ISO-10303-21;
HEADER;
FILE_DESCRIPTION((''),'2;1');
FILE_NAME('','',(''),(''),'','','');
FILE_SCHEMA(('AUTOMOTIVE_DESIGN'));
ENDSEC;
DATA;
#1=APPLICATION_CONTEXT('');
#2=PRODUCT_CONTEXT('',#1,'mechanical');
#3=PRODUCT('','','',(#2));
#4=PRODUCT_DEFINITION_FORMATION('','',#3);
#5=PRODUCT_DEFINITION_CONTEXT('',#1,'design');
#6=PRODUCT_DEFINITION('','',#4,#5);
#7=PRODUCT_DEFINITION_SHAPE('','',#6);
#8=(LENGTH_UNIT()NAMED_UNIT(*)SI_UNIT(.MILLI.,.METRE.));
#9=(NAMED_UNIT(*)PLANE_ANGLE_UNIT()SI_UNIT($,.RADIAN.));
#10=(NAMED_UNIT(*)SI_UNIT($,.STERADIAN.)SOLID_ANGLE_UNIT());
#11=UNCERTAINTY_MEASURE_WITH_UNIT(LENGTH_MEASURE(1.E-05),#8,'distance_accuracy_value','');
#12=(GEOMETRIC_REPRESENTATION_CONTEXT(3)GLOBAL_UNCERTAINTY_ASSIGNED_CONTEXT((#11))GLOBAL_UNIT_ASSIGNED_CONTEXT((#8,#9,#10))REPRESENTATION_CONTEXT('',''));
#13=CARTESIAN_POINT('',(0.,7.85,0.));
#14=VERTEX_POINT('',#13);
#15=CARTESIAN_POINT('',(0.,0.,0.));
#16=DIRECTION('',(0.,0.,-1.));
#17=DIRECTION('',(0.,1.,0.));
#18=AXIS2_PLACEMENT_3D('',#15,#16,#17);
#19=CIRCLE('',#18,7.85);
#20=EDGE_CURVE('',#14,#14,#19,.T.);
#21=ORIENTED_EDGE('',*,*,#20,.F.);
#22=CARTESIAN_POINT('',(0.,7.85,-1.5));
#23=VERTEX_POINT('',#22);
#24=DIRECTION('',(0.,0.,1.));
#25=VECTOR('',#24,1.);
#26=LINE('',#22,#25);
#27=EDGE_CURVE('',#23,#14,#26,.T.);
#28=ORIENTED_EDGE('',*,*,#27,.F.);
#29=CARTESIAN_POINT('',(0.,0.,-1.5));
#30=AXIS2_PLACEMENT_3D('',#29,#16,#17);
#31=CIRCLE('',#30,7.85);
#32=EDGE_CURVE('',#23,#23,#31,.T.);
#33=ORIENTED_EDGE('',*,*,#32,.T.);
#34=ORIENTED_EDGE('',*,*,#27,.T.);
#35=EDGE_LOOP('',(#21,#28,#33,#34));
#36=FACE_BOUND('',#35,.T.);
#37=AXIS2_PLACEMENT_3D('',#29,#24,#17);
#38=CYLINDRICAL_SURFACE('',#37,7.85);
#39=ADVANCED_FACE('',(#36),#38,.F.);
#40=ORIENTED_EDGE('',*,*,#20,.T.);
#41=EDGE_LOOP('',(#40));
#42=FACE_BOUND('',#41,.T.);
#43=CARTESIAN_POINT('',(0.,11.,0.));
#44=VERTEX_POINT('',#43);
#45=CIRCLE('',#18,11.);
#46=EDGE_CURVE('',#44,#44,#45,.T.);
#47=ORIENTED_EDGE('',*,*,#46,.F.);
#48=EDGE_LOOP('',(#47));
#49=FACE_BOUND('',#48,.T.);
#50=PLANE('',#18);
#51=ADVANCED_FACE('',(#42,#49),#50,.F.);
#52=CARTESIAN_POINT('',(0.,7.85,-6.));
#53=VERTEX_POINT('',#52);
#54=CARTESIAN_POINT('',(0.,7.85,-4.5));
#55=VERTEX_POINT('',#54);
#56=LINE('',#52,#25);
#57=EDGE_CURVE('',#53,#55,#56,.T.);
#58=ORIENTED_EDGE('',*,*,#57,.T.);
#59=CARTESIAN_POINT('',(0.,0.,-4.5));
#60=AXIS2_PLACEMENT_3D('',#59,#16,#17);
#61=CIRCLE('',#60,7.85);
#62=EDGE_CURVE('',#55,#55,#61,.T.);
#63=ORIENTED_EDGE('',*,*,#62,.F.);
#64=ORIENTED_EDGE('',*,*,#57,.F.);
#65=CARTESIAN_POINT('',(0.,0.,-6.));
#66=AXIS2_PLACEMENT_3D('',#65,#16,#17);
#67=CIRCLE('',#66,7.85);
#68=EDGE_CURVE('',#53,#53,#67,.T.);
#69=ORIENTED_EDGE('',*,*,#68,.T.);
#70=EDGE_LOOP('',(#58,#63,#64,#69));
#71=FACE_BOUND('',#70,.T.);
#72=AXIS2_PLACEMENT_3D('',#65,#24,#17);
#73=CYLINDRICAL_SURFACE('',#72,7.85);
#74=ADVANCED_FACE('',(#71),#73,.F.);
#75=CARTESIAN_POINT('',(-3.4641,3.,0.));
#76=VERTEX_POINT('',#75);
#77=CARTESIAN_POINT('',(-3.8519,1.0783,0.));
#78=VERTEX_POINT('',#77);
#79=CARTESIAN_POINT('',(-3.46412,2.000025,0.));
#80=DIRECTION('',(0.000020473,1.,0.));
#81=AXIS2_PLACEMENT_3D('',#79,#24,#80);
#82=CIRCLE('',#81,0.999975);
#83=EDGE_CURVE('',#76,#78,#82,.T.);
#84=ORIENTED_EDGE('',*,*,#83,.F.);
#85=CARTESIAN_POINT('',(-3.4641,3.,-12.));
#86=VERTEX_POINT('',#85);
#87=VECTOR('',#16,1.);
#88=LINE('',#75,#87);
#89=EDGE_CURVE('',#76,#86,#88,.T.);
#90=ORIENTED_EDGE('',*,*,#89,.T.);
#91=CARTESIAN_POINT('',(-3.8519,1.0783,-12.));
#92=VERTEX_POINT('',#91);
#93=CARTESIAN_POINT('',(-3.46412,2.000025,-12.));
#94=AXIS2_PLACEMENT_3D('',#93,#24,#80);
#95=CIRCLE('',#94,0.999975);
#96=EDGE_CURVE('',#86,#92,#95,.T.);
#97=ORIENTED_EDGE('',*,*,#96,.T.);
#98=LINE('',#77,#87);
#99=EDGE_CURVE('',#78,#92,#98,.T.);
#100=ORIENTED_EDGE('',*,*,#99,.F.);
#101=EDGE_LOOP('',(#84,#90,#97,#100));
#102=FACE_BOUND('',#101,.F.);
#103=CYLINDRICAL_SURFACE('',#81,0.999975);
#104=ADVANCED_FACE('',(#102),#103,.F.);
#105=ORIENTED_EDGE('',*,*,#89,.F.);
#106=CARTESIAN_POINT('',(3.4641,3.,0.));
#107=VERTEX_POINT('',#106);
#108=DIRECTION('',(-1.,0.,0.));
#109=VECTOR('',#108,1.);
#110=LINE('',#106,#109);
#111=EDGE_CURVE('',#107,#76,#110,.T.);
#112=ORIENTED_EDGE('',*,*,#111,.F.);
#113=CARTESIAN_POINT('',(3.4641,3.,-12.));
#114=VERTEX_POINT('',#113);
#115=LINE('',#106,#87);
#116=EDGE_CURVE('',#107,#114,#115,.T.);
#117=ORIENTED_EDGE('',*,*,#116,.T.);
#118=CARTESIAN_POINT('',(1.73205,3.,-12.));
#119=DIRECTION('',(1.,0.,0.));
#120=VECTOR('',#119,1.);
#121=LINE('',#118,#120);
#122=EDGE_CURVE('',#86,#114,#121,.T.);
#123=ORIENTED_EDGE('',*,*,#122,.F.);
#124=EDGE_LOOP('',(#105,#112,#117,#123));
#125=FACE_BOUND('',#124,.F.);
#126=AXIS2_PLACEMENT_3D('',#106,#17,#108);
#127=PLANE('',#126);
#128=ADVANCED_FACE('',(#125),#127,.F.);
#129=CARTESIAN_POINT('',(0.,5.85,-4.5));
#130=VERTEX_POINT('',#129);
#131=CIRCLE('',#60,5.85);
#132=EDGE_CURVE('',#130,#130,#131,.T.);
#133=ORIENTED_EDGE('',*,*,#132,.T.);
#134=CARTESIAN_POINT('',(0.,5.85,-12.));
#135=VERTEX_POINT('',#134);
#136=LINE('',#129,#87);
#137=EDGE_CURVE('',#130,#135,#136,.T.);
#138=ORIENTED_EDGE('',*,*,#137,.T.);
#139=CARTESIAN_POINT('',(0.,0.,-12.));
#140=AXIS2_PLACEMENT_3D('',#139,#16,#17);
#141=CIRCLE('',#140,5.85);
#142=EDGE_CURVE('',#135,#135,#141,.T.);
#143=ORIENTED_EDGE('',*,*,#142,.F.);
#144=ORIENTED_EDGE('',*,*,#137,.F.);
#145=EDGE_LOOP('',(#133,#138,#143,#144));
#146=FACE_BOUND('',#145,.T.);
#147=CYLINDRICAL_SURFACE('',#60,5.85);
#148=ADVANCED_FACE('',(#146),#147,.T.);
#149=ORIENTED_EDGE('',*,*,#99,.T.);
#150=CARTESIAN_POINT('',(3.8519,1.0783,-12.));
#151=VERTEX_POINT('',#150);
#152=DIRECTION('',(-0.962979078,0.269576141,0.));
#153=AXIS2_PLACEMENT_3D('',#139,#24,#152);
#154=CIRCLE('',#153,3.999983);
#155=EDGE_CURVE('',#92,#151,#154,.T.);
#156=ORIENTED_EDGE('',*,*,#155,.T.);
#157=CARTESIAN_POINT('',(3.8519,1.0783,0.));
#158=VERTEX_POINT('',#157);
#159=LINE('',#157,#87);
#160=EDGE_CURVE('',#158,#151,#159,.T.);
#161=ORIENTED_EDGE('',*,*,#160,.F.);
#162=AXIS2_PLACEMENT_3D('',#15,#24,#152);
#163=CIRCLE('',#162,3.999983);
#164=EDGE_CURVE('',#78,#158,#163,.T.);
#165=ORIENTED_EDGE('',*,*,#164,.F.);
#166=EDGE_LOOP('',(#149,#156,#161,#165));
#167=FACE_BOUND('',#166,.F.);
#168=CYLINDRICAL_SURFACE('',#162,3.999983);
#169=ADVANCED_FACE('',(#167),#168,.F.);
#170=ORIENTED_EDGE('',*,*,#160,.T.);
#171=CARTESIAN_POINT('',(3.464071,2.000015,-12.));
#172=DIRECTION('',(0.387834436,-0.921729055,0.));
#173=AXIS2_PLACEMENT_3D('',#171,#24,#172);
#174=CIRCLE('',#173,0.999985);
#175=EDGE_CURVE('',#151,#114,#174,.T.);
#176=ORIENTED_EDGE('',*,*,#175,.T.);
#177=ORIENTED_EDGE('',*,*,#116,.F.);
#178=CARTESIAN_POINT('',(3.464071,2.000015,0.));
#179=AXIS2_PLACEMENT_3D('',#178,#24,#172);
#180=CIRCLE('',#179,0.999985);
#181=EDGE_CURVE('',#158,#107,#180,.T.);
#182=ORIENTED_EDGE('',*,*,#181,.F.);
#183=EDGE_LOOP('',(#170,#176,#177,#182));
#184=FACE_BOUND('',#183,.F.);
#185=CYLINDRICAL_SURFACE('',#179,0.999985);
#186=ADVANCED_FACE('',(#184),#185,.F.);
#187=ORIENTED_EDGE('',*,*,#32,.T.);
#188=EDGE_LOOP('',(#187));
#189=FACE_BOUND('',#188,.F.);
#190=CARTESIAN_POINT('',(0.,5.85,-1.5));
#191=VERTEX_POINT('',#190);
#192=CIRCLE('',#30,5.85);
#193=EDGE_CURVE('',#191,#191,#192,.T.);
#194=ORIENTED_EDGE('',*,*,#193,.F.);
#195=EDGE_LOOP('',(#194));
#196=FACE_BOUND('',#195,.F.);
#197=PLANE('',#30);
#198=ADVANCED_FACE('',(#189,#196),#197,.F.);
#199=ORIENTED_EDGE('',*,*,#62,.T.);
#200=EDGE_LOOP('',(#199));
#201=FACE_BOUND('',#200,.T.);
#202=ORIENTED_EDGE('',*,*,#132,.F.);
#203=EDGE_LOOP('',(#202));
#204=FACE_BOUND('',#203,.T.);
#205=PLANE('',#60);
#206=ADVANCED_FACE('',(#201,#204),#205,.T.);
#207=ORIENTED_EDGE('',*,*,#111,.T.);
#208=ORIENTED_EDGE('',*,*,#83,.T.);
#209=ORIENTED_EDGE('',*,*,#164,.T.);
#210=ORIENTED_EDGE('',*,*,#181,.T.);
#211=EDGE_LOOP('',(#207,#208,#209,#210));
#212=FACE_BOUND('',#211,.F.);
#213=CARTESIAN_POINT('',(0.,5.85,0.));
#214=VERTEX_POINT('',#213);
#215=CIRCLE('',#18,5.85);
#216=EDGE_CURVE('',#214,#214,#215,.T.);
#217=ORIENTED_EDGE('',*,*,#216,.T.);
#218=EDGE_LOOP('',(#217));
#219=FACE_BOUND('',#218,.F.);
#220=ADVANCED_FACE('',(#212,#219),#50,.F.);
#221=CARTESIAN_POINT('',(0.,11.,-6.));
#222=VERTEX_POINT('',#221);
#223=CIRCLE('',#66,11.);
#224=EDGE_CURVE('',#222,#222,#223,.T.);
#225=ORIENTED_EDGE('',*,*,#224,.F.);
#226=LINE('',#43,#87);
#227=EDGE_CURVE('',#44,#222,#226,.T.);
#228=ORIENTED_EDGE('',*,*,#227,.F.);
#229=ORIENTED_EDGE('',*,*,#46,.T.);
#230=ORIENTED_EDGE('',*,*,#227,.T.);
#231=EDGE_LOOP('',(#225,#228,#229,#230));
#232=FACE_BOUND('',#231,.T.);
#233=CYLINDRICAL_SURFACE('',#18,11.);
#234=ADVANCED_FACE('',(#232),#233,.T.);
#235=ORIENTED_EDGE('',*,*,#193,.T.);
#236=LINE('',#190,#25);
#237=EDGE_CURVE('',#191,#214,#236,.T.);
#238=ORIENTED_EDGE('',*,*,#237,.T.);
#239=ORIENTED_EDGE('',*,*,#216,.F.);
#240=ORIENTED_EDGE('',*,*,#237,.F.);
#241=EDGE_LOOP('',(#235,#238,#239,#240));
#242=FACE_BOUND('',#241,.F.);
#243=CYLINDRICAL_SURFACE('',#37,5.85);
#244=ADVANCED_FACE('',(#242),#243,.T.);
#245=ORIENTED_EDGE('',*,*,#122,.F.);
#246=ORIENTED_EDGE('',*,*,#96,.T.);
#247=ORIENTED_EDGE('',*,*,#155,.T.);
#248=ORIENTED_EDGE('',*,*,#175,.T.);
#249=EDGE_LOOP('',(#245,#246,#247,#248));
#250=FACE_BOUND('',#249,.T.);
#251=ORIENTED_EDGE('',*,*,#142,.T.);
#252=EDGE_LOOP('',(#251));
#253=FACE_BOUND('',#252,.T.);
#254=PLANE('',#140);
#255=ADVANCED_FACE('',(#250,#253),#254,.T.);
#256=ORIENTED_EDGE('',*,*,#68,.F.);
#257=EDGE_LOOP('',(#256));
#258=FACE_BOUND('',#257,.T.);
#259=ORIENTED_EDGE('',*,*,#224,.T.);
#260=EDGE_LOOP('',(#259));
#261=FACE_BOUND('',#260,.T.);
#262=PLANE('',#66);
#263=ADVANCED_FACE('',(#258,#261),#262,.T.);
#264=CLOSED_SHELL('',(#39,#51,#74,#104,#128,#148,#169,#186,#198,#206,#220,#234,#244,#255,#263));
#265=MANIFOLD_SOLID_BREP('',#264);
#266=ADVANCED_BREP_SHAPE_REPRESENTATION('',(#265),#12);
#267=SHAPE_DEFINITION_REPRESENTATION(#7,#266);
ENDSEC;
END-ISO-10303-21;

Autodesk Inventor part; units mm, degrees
ref_plane "YZ Plane" through (0, 0, 0) normal (1, 0, 0) x (0, 1, 0)
ref_plane "XZ Plane" through (0, 0, 0) normal (0, 1, 0) x (-1, 0, 0)
ref_plane "XY Plane" through (0, 0, 0) normal (0, 0, 1) x (1, 0, 0)
sketch "Esquisse1" plane through (0, 0, 0) normal (1, 0, 0) x (0, 1, 0)
  line L0 (0, 21.0755) -> (0, -24.2543)
  line L1 (7.85, -1.5) -> (7.85, 0)
  line L2 (7.85, 0) -> (11, 0)
  line L3 (11, 0) -> (11, -6)
  line L4 (11, -6) -> (7.85, -6)
  line L5 (7.85, -6) -> (7.85, -4.5)
  line L6 (7.85, -4.5) -> (5.85, -4.5)
  line L7 (5.85, -4.5) -> (5.85, -12)
  line L8 (5.85, -12) -> (2.5, -12)
  line L9 (7.85, -1.5) -> (5.85, -1.5)
  line L10 (5.85, -1.5) -> (5.85, 0)
  line L11 (5.85, 0) -> (2.5, 0)
  line L12 (2.5, 0) -> (2.5, -12)
  line L13 (6.85, -1.5) -> (6.85, -4.5) construction
  line L14 (6.85, -3) -> (11, -3) construction
  point P0 (0, 0)
  point P1 (7.85, -5.25)
  dimension "d0" = 11.7
  dimension "d1" = 5
  dimension "d2" = 12
  dimension "d3" = 6
  dimension "d4" = 22
  dimension "d5" = 2
  dimension "d6" = 3
revolve "Révolution1" add sketch "Esquisse1" angle 360 about axis through (0, 0, 21.0755) along (0, 0, -1)
sketch "Esquisse2" plane through (0, 0, 0) normal (0, 0, 1) x (1, 0, 0)
  arc A0 (-2.6458, 3) -> (-3.8519, 1.0783) centre (0, 0) ccw construction
  line L0 (-3.4641, 2) -> (3.4641, 2) construction
  line L1 (-3.4641, 1) -> (3.4641, 1) construction
  line L2 (3.4641, 3) -> (-3.4641, 3)
  arc A1 (-3.4641, 3) -> (-3.8519, 1.0783) centre (-3.4641, 2) ccw
  arc A2 (3.4641, 1) -> (3.8519, 1.0783) centre (3.4641, 2) ccw construction
  arc A3 (-3.8519, 1.0783) -> (-3.4641, 1) centre (-3.4641, 2) ccw construction
  arc A4 (3.8519, 1.0783) -> (3.4641, 3) centre (3.4641, 2) ccw
  arc A5 (2.6458, 3) -> (-2.6458, 3) centre (0, 0) ccw construction
  arc A6 (-3.8519, 1.0783) -> (3.8519, 1.0783) centre (0, 0) ccw
  arc A7 (3.8519, 1.0783) -> (2.6458, 3) centre (0, 0) ccw construction
  point P0 (0, 2)
  dimension "d9" = 1
  dimension "d11" = 3
  dimension "d12" = 4
extrude "Extrusion1" cut sketch "Esquisse2" against normal through all
properties part number "engrenage_simplifie_v3"
